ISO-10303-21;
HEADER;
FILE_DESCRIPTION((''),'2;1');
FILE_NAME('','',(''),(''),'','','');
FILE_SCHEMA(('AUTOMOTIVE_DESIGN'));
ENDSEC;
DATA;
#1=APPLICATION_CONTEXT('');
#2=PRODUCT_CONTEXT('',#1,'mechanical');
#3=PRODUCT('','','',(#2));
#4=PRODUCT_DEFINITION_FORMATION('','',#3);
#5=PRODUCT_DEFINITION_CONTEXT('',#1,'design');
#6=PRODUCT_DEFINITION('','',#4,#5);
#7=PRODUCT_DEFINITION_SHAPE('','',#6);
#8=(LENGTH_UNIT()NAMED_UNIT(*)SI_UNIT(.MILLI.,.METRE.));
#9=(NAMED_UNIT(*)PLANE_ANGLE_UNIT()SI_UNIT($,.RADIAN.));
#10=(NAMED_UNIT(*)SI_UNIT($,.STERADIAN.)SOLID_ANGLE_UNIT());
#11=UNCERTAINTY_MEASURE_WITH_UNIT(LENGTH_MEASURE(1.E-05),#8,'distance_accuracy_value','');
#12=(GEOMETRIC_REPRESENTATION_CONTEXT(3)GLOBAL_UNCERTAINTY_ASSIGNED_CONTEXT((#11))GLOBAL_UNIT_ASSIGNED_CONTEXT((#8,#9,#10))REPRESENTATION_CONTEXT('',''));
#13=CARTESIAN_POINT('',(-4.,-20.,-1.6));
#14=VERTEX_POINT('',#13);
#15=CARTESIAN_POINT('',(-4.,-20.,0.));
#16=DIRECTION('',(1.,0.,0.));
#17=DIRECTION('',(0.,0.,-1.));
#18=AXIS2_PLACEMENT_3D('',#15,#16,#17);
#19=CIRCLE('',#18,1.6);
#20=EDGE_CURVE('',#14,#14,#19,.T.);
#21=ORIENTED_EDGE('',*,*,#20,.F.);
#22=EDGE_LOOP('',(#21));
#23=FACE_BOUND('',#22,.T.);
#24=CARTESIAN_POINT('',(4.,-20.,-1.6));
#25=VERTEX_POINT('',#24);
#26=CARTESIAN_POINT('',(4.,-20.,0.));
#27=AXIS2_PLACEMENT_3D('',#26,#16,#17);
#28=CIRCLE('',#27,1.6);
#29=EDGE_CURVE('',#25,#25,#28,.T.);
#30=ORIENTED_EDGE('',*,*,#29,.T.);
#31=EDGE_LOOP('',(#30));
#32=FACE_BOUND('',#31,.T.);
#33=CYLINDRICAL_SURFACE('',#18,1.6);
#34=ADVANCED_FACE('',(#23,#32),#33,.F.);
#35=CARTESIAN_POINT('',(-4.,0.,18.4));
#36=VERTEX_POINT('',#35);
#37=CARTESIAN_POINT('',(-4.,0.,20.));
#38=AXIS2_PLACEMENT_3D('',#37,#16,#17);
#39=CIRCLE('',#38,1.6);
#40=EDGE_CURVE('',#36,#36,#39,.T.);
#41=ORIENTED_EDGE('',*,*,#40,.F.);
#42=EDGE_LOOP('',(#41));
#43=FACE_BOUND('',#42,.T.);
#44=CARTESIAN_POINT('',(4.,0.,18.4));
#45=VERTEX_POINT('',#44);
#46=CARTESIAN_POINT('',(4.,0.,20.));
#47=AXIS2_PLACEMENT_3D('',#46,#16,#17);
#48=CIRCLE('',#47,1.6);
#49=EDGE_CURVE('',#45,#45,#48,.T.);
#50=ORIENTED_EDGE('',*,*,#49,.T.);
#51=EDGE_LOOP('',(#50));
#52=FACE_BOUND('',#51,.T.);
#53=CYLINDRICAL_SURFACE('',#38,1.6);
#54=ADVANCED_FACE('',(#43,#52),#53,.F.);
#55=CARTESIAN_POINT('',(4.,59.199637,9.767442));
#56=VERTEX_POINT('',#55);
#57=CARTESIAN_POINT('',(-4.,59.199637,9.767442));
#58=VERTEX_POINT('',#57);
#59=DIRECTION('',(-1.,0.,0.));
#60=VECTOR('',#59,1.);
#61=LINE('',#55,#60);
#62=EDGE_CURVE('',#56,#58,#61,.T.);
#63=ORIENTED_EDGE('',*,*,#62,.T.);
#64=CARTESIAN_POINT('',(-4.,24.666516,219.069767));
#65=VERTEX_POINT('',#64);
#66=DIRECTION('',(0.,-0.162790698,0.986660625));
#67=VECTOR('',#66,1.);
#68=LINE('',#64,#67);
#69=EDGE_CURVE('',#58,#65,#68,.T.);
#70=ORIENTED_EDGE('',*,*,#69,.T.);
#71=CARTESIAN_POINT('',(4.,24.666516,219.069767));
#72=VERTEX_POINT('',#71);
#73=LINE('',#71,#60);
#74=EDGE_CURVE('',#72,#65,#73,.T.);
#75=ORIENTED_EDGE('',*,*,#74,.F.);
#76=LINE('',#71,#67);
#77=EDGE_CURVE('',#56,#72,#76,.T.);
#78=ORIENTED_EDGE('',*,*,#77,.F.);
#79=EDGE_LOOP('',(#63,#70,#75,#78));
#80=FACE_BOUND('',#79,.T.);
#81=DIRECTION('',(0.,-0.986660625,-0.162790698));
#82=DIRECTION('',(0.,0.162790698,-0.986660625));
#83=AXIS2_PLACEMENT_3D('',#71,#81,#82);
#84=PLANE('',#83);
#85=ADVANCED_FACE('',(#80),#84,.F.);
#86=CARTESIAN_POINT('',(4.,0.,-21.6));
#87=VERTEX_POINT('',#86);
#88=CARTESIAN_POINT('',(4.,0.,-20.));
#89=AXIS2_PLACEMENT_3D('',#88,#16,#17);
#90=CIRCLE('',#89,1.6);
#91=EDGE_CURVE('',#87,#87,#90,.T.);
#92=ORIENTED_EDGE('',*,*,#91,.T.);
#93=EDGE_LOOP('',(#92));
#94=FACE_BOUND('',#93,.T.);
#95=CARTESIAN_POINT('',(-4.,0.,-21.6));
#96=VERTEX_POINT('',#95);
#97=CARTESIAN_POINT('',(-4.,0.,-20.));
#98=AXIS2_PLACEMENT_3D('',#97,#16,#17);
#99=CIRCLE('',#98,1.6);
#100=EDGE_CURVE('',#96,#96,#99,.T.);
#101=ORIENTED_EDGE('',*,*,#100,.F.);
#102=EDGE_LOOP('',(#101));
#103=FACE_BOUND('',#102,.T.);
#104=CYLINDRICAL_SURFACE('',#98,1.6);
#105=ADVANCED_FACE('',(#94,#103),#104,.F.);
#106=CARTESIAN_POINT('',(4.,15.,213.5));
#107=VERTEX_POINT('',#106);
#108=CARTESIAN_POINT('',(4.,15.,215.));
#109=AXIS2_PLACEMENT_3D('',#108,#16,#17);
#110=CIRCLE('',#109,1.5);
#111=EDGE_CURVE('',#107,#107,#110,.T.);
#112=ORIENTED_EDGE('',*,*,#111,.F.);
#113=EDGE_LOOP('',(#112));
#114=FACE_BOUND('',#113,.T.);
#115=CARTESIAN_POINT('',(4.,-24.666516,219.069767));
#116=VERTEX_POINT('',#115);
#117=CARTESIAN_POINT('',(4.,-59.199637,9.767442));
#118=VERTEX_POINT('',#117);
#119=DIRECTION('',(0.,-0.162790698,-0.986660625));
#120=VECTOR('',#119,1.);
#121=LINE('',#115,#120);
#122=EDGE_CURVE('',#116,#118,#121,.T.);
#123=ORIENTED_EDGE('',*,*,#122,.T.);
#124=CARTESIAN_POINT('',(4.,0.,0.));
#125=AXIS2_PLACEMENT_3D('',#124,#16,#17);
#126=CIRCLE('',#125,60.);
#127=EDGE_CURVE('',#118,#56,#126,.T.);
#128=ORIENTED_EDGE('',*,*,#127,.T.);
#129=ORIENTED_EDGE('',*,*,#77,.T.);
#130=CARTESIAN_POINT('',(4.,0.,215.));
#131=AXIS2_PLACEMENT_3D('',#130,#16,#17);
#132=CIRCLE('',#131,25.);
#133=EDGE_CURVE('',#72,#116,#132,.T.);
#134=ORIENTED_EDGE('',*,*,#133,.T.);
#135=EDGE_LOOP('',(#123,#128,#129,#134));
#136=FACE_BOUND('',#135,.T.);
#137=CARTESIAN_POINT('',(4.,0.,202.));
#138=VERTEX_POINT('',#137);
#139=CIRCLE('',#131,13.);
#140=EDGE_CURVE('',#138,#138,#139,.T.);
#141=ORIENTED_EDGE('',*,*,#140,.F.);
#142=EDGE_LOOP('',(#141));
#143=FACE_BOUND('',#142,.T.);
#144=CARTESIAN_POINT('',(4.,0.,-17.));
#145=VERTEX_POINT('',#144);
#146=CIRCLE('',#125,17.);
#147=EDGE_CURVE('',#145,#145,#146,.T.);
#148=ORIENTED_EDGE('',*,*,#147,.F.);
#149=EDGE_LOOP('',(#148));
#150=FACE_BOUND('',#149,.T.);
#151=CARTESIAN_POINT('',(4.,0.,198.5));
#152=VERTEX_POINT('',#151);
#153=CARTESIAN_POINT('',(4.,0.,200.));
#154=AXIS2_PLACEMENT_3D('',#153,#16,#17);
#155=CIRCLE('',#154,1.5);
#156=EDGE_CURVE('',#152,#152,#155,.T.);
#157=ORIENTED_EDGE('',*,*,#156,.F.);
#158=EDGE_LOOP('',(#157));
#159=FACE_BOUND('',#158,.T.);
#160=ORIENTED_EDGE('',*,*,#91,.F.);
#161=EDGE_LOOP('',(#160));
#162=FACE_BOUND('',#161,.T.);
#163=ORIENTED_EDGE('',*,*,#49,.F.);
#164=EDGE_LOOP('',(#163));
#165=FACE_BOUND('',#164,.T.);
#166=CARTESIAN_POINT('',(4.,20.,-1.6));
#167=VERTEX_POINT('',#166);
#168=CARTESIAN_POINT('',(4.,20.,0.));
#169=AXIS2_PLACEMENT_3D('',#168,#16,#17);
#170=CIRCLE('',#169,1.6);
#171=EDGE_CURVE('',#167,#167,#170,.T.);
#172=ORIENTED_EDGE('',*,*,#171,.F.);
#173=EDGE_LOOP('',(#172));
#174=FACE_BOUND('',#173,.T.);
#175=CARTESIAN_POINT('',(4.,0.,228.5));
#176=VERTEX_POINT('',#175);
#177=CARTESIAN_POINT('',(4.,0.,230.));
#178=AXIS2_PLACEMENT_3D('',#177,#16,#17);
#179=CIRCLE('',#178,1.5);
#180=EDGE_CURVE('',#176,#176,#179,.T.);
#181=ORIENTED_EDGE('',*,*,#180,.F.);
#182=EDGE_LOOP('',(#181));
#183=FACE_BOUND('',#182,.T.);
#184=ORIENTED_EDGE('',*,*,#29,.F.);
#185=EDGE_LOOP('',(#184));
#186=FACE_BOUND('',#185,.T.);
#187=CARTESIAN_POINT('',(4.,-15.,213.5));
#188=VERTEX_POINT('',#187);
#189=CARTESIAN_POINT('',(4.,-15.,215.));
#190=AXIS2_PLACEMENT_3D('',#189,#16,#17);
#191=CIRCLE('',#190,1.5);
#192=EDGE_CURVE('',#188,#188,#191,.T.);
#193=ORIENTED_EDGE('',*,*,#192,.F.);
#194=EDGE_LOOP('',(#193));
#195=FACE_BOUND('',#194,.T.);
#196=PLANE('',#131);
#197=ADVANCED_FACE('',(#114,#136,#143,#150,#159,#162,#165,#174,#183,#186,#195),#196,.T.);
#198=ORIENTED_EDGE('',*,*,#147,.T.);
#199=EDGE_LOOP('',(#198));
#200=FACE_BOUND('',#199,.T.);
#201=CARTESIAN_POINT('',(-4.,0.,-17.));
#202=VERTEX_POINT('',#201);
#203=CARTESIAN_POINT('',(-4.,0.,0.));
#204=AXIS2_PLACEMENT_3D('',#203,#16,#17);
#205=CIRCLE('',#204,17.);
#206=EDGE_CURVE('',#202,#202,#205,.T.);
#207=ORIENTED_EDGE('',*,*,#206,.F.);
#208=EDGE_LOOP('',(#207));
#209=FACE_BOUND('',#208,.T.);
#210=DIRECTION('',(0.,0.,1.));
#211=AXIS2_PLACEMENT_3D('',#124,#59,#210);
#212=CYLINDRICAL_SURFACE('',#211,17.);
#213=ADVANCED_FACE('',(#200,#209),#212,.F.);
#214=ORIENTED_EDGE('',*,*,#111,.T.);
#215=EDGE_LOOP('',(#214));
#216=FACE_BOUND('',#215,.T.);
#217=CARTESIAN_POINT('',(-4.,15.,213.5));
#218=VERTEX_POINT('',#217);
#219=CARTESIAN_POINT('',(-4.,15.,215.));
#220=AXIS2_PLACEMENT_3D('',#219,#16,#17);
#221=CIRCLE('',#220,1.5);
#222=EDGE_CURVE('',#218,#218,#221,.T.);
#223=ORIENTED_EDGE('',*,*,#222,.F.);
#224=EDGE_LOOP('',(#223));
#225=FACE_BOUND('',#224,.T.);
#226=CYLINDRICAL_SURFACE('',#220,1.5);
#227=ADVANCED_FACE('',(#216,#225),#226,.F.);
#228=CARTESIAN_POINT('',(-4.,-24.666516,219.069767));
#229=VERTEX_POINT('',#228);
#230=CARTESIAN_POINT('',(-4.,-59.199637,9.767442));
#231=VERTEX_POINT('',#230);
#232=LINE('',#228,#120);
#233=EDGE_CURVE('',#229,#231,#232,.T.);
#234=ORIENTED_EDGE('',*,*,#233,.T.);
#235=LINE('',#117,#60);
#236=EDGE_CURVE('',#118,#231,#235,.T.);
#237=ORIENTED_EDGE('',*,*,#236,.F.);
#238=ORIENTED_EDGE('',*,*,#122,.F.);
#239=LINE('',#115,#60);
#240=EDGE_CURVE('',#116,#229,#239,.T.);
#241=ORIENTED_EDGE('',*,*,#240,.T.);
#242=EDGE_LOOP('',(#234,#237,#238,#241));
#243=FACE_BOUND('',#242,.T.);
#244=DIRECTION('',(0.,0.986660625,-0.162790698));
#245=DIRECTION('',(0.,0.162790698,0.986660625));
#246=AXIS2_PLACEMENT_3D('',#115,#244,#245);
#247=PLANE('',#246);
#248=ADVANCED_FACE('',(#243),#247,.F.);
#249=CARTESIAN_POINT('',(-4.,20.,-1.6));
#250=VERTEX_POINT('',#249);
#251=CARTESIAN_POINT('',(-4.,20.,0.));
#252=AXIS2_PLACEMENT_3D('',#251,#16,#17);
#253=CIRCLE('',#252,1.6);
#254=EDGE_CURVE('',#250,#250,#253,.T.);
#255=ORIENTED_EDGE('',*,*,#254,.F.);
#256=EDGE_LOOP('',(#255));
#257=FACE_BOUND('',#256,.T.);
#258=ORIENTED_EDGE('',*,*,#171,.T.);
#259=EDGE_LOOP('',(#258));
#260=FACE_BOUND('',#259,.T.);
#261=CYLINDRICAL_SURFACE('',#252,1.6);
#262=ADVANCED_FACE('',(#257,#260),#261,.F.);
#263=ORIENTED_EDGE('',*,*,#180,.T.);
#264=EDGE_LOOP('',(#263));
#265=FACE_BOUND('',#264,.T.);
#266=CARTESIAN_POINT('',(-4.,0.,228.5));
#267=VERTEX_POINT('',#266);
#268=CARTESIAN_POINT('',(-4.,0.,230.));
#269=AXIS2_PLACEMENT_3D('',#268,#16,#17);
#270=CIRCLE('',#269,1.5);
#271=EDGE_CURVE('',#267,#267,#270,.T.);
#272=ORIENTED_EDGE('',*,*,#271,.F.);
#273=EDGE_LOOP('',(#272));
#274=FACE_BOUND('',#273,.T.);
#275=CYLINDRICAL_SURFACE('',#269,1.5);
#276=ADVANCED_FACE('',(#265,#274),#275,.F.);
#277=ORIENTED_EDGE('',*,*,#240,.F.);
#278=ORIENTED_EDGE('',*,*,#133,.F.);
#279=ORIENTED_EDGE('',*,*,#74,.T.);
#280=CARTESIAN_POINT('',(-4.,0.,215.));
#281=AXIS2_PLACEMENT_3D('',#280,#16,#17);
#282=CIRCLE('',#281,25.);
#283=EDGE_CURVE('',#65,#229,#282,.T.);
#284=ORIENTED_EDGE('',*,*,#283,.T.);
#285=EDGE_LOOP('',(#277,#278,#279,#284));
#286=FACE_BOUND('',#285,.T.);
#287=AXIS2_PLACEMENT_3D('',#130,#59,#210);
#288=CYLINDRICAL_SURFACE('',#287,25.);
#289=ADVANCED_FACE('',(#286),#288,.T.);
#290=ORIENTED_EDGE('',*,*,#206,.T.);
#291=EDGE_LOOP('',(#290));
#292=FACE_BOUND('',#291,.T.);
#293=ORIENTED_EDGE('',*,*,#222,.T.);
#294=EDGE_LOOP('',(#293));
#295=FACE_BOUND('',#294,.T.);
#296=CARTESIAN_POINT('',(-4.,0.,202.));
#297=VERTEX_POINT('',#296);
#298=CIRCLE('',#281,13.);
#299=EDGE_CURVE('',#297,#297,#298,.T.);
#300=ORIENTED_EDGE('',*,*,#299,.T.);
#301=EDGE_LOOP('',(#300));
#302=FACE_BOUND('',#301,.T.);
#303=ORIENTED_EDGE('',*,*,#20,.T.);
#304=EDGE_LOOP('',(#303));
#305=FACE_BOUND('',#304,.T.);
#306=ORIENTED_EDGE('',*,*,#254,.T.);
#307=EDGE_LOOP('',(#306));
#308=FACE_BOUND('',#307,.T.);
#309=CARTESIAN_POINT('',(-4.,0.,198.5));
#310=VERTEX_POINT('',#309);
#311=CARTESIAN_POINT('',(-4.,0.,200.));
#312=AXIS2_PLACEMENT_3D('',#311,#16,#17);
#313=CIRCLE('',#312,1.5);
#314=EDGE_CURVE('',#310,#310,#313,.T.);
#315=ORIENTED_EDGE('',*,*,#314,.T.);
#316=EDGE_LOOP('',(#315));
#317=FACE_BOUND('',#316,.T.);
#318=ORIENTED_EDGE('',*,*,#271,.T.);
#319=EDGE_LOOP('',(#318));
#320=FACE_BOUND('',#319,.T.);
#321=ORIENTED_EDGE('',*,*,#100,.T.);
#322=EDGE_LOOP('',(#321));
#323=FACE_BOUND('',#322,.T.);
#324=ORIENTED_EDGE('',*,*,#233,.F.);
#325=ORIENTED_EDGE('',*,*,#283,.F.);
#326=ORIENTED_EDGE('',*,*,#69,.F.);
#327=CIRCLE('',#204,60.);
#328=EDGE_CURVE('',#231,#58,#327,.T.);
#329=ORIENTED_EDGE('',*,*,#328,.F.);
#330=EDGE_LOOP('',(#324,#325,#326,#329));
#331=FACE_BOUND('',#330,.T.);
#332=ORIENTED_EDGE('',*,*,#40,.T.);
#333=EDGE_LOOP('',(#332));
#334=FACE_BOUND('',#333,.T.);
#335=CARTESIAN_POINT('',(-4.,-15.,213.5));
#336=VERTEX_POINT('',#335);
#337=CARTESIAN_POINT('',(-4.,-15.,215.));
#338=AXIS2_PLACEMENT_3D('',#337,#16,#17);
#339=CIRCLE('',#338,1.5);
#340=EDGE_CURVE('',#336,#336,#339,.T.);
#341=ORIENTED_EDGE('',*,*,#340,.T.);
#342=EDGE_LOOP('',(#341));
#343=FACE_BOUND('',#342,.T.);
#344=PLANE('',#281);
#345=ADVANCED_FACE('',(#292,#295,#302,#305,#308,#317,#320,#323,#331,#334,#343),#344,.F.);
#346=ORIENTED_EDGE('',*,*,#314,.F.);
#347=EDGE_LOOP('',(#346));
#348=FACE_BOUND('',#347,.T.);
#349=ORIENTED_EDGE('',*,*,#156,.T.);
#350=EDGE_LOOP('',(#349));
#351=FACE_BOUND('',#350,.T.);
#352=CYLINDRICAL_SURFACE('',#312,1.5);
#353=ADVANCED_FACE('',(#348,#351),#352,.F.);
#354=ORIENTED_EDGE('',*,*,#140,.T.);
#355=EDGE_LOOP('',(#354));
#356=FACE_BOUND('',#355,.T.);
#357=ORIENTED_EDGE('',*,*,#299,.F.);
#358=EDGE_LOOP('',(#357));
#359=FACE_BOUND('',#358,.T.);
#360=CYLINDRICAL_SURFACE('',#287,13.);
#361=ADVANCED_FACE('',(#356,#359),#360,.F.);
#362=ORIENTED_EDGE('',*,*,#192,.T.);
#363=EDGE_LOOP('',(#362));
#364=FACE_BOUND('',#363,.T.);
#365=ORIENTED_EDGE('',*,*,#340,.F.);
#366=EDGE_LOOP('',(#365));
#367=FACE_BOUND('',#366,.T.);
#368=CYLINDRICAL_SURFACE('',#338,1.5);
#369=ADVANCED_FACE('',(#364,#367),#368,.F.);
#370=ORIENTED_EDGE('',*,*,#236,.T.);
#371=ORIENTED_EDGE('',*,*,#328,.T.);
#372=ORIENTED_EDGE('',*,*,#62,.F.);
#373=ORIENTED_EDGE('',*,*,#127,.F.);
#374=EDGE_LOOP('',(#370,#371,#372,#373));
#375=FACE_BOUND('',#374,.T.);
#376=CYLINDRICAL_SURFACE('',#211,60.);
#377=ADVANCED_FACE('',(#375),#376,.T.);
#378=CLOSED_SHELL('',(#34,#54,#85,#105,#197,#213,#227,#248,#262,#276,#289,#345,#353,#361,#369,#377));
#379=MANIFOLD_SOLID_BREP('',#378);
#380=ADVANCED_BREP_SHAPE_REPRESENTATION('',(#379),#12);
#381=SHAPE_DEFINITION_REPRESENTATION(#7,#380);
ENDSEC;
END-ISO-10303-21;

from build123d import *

# Parameters (mm, degrees)
SKETCH1_R           = 17
SKETCH1_R_2         = 13
BOSS_EXTRUDE1_DEPTH = 4
SKETCH2_R           = 1.6
SKETCH2_R_2         = 1.5
CUT_EXTRUDE1_DEPTH  = 248.51565607


with BuildPart() as part:
    # Sketch1 → Boss-Extrude1 (new, symmetric)
    with BuildSketch(Plane(origin=(0, 0, 0), x_dir=(0, 0, -1), z_dir=(1, 0, 0))):
        with BuildLine():
            Line((-219.069767442, 24.666515623), (-9.76744186, 59.199637495))
            ThreePointArc((-9.76744186, 59.199637495), (60, 0), (-9.76744186, -59.199637495))
            Line((-9.76744186, -59.199637495), (-219.069767442, -24.666515623))
            ThreePointArc((-219.069767442, -24.666515623), (-240, 0), (-219.069767442, 24.666515623))
        make_face()
        Circle(SKETCH1_R, mode=Mode.SUBTRACT)
        with Locations((-215, 0)):
            Circle(SKETCH1_R_2, mode=Mode.SUBTRACT)
    extrude(amount=BOSS_EXTRUDE1_DEPTH, both=True)

    # Sketch2 → Cut-Extrude1 (cut, through all)
    with BuildSketch(Plane(origin=(4, 0, 0), x_dir=(0, 0, -1), z_dir=(1, 0, 0))):
        with Locations((0, 20)):
            Circle(SKETCH2_R)
        with Locations((20, 0)):
            Circle(SKETCH2_R)
        with Locations((0, -20)):
            Circle(SKETCH2_R)
        with Locations((-20, 0)):
            Circle(SKETCH2_R)
        with Locations((-215, 15)):
            Circle(SKETCH2_R_2)
        with Locations((-200, 0)):
            Circle(SKETCH2_R_2)
        with Locations((-215, -15)):
            Circle(SKETCH2_R_2)
        with Locations((-230, 0)):
            Circle(SKETCH2_R_2)
    extrude(amount=-CUT_EXTRUDE1_DEPTH, mode=Mode.SUBTRACT)


solid = part.part
